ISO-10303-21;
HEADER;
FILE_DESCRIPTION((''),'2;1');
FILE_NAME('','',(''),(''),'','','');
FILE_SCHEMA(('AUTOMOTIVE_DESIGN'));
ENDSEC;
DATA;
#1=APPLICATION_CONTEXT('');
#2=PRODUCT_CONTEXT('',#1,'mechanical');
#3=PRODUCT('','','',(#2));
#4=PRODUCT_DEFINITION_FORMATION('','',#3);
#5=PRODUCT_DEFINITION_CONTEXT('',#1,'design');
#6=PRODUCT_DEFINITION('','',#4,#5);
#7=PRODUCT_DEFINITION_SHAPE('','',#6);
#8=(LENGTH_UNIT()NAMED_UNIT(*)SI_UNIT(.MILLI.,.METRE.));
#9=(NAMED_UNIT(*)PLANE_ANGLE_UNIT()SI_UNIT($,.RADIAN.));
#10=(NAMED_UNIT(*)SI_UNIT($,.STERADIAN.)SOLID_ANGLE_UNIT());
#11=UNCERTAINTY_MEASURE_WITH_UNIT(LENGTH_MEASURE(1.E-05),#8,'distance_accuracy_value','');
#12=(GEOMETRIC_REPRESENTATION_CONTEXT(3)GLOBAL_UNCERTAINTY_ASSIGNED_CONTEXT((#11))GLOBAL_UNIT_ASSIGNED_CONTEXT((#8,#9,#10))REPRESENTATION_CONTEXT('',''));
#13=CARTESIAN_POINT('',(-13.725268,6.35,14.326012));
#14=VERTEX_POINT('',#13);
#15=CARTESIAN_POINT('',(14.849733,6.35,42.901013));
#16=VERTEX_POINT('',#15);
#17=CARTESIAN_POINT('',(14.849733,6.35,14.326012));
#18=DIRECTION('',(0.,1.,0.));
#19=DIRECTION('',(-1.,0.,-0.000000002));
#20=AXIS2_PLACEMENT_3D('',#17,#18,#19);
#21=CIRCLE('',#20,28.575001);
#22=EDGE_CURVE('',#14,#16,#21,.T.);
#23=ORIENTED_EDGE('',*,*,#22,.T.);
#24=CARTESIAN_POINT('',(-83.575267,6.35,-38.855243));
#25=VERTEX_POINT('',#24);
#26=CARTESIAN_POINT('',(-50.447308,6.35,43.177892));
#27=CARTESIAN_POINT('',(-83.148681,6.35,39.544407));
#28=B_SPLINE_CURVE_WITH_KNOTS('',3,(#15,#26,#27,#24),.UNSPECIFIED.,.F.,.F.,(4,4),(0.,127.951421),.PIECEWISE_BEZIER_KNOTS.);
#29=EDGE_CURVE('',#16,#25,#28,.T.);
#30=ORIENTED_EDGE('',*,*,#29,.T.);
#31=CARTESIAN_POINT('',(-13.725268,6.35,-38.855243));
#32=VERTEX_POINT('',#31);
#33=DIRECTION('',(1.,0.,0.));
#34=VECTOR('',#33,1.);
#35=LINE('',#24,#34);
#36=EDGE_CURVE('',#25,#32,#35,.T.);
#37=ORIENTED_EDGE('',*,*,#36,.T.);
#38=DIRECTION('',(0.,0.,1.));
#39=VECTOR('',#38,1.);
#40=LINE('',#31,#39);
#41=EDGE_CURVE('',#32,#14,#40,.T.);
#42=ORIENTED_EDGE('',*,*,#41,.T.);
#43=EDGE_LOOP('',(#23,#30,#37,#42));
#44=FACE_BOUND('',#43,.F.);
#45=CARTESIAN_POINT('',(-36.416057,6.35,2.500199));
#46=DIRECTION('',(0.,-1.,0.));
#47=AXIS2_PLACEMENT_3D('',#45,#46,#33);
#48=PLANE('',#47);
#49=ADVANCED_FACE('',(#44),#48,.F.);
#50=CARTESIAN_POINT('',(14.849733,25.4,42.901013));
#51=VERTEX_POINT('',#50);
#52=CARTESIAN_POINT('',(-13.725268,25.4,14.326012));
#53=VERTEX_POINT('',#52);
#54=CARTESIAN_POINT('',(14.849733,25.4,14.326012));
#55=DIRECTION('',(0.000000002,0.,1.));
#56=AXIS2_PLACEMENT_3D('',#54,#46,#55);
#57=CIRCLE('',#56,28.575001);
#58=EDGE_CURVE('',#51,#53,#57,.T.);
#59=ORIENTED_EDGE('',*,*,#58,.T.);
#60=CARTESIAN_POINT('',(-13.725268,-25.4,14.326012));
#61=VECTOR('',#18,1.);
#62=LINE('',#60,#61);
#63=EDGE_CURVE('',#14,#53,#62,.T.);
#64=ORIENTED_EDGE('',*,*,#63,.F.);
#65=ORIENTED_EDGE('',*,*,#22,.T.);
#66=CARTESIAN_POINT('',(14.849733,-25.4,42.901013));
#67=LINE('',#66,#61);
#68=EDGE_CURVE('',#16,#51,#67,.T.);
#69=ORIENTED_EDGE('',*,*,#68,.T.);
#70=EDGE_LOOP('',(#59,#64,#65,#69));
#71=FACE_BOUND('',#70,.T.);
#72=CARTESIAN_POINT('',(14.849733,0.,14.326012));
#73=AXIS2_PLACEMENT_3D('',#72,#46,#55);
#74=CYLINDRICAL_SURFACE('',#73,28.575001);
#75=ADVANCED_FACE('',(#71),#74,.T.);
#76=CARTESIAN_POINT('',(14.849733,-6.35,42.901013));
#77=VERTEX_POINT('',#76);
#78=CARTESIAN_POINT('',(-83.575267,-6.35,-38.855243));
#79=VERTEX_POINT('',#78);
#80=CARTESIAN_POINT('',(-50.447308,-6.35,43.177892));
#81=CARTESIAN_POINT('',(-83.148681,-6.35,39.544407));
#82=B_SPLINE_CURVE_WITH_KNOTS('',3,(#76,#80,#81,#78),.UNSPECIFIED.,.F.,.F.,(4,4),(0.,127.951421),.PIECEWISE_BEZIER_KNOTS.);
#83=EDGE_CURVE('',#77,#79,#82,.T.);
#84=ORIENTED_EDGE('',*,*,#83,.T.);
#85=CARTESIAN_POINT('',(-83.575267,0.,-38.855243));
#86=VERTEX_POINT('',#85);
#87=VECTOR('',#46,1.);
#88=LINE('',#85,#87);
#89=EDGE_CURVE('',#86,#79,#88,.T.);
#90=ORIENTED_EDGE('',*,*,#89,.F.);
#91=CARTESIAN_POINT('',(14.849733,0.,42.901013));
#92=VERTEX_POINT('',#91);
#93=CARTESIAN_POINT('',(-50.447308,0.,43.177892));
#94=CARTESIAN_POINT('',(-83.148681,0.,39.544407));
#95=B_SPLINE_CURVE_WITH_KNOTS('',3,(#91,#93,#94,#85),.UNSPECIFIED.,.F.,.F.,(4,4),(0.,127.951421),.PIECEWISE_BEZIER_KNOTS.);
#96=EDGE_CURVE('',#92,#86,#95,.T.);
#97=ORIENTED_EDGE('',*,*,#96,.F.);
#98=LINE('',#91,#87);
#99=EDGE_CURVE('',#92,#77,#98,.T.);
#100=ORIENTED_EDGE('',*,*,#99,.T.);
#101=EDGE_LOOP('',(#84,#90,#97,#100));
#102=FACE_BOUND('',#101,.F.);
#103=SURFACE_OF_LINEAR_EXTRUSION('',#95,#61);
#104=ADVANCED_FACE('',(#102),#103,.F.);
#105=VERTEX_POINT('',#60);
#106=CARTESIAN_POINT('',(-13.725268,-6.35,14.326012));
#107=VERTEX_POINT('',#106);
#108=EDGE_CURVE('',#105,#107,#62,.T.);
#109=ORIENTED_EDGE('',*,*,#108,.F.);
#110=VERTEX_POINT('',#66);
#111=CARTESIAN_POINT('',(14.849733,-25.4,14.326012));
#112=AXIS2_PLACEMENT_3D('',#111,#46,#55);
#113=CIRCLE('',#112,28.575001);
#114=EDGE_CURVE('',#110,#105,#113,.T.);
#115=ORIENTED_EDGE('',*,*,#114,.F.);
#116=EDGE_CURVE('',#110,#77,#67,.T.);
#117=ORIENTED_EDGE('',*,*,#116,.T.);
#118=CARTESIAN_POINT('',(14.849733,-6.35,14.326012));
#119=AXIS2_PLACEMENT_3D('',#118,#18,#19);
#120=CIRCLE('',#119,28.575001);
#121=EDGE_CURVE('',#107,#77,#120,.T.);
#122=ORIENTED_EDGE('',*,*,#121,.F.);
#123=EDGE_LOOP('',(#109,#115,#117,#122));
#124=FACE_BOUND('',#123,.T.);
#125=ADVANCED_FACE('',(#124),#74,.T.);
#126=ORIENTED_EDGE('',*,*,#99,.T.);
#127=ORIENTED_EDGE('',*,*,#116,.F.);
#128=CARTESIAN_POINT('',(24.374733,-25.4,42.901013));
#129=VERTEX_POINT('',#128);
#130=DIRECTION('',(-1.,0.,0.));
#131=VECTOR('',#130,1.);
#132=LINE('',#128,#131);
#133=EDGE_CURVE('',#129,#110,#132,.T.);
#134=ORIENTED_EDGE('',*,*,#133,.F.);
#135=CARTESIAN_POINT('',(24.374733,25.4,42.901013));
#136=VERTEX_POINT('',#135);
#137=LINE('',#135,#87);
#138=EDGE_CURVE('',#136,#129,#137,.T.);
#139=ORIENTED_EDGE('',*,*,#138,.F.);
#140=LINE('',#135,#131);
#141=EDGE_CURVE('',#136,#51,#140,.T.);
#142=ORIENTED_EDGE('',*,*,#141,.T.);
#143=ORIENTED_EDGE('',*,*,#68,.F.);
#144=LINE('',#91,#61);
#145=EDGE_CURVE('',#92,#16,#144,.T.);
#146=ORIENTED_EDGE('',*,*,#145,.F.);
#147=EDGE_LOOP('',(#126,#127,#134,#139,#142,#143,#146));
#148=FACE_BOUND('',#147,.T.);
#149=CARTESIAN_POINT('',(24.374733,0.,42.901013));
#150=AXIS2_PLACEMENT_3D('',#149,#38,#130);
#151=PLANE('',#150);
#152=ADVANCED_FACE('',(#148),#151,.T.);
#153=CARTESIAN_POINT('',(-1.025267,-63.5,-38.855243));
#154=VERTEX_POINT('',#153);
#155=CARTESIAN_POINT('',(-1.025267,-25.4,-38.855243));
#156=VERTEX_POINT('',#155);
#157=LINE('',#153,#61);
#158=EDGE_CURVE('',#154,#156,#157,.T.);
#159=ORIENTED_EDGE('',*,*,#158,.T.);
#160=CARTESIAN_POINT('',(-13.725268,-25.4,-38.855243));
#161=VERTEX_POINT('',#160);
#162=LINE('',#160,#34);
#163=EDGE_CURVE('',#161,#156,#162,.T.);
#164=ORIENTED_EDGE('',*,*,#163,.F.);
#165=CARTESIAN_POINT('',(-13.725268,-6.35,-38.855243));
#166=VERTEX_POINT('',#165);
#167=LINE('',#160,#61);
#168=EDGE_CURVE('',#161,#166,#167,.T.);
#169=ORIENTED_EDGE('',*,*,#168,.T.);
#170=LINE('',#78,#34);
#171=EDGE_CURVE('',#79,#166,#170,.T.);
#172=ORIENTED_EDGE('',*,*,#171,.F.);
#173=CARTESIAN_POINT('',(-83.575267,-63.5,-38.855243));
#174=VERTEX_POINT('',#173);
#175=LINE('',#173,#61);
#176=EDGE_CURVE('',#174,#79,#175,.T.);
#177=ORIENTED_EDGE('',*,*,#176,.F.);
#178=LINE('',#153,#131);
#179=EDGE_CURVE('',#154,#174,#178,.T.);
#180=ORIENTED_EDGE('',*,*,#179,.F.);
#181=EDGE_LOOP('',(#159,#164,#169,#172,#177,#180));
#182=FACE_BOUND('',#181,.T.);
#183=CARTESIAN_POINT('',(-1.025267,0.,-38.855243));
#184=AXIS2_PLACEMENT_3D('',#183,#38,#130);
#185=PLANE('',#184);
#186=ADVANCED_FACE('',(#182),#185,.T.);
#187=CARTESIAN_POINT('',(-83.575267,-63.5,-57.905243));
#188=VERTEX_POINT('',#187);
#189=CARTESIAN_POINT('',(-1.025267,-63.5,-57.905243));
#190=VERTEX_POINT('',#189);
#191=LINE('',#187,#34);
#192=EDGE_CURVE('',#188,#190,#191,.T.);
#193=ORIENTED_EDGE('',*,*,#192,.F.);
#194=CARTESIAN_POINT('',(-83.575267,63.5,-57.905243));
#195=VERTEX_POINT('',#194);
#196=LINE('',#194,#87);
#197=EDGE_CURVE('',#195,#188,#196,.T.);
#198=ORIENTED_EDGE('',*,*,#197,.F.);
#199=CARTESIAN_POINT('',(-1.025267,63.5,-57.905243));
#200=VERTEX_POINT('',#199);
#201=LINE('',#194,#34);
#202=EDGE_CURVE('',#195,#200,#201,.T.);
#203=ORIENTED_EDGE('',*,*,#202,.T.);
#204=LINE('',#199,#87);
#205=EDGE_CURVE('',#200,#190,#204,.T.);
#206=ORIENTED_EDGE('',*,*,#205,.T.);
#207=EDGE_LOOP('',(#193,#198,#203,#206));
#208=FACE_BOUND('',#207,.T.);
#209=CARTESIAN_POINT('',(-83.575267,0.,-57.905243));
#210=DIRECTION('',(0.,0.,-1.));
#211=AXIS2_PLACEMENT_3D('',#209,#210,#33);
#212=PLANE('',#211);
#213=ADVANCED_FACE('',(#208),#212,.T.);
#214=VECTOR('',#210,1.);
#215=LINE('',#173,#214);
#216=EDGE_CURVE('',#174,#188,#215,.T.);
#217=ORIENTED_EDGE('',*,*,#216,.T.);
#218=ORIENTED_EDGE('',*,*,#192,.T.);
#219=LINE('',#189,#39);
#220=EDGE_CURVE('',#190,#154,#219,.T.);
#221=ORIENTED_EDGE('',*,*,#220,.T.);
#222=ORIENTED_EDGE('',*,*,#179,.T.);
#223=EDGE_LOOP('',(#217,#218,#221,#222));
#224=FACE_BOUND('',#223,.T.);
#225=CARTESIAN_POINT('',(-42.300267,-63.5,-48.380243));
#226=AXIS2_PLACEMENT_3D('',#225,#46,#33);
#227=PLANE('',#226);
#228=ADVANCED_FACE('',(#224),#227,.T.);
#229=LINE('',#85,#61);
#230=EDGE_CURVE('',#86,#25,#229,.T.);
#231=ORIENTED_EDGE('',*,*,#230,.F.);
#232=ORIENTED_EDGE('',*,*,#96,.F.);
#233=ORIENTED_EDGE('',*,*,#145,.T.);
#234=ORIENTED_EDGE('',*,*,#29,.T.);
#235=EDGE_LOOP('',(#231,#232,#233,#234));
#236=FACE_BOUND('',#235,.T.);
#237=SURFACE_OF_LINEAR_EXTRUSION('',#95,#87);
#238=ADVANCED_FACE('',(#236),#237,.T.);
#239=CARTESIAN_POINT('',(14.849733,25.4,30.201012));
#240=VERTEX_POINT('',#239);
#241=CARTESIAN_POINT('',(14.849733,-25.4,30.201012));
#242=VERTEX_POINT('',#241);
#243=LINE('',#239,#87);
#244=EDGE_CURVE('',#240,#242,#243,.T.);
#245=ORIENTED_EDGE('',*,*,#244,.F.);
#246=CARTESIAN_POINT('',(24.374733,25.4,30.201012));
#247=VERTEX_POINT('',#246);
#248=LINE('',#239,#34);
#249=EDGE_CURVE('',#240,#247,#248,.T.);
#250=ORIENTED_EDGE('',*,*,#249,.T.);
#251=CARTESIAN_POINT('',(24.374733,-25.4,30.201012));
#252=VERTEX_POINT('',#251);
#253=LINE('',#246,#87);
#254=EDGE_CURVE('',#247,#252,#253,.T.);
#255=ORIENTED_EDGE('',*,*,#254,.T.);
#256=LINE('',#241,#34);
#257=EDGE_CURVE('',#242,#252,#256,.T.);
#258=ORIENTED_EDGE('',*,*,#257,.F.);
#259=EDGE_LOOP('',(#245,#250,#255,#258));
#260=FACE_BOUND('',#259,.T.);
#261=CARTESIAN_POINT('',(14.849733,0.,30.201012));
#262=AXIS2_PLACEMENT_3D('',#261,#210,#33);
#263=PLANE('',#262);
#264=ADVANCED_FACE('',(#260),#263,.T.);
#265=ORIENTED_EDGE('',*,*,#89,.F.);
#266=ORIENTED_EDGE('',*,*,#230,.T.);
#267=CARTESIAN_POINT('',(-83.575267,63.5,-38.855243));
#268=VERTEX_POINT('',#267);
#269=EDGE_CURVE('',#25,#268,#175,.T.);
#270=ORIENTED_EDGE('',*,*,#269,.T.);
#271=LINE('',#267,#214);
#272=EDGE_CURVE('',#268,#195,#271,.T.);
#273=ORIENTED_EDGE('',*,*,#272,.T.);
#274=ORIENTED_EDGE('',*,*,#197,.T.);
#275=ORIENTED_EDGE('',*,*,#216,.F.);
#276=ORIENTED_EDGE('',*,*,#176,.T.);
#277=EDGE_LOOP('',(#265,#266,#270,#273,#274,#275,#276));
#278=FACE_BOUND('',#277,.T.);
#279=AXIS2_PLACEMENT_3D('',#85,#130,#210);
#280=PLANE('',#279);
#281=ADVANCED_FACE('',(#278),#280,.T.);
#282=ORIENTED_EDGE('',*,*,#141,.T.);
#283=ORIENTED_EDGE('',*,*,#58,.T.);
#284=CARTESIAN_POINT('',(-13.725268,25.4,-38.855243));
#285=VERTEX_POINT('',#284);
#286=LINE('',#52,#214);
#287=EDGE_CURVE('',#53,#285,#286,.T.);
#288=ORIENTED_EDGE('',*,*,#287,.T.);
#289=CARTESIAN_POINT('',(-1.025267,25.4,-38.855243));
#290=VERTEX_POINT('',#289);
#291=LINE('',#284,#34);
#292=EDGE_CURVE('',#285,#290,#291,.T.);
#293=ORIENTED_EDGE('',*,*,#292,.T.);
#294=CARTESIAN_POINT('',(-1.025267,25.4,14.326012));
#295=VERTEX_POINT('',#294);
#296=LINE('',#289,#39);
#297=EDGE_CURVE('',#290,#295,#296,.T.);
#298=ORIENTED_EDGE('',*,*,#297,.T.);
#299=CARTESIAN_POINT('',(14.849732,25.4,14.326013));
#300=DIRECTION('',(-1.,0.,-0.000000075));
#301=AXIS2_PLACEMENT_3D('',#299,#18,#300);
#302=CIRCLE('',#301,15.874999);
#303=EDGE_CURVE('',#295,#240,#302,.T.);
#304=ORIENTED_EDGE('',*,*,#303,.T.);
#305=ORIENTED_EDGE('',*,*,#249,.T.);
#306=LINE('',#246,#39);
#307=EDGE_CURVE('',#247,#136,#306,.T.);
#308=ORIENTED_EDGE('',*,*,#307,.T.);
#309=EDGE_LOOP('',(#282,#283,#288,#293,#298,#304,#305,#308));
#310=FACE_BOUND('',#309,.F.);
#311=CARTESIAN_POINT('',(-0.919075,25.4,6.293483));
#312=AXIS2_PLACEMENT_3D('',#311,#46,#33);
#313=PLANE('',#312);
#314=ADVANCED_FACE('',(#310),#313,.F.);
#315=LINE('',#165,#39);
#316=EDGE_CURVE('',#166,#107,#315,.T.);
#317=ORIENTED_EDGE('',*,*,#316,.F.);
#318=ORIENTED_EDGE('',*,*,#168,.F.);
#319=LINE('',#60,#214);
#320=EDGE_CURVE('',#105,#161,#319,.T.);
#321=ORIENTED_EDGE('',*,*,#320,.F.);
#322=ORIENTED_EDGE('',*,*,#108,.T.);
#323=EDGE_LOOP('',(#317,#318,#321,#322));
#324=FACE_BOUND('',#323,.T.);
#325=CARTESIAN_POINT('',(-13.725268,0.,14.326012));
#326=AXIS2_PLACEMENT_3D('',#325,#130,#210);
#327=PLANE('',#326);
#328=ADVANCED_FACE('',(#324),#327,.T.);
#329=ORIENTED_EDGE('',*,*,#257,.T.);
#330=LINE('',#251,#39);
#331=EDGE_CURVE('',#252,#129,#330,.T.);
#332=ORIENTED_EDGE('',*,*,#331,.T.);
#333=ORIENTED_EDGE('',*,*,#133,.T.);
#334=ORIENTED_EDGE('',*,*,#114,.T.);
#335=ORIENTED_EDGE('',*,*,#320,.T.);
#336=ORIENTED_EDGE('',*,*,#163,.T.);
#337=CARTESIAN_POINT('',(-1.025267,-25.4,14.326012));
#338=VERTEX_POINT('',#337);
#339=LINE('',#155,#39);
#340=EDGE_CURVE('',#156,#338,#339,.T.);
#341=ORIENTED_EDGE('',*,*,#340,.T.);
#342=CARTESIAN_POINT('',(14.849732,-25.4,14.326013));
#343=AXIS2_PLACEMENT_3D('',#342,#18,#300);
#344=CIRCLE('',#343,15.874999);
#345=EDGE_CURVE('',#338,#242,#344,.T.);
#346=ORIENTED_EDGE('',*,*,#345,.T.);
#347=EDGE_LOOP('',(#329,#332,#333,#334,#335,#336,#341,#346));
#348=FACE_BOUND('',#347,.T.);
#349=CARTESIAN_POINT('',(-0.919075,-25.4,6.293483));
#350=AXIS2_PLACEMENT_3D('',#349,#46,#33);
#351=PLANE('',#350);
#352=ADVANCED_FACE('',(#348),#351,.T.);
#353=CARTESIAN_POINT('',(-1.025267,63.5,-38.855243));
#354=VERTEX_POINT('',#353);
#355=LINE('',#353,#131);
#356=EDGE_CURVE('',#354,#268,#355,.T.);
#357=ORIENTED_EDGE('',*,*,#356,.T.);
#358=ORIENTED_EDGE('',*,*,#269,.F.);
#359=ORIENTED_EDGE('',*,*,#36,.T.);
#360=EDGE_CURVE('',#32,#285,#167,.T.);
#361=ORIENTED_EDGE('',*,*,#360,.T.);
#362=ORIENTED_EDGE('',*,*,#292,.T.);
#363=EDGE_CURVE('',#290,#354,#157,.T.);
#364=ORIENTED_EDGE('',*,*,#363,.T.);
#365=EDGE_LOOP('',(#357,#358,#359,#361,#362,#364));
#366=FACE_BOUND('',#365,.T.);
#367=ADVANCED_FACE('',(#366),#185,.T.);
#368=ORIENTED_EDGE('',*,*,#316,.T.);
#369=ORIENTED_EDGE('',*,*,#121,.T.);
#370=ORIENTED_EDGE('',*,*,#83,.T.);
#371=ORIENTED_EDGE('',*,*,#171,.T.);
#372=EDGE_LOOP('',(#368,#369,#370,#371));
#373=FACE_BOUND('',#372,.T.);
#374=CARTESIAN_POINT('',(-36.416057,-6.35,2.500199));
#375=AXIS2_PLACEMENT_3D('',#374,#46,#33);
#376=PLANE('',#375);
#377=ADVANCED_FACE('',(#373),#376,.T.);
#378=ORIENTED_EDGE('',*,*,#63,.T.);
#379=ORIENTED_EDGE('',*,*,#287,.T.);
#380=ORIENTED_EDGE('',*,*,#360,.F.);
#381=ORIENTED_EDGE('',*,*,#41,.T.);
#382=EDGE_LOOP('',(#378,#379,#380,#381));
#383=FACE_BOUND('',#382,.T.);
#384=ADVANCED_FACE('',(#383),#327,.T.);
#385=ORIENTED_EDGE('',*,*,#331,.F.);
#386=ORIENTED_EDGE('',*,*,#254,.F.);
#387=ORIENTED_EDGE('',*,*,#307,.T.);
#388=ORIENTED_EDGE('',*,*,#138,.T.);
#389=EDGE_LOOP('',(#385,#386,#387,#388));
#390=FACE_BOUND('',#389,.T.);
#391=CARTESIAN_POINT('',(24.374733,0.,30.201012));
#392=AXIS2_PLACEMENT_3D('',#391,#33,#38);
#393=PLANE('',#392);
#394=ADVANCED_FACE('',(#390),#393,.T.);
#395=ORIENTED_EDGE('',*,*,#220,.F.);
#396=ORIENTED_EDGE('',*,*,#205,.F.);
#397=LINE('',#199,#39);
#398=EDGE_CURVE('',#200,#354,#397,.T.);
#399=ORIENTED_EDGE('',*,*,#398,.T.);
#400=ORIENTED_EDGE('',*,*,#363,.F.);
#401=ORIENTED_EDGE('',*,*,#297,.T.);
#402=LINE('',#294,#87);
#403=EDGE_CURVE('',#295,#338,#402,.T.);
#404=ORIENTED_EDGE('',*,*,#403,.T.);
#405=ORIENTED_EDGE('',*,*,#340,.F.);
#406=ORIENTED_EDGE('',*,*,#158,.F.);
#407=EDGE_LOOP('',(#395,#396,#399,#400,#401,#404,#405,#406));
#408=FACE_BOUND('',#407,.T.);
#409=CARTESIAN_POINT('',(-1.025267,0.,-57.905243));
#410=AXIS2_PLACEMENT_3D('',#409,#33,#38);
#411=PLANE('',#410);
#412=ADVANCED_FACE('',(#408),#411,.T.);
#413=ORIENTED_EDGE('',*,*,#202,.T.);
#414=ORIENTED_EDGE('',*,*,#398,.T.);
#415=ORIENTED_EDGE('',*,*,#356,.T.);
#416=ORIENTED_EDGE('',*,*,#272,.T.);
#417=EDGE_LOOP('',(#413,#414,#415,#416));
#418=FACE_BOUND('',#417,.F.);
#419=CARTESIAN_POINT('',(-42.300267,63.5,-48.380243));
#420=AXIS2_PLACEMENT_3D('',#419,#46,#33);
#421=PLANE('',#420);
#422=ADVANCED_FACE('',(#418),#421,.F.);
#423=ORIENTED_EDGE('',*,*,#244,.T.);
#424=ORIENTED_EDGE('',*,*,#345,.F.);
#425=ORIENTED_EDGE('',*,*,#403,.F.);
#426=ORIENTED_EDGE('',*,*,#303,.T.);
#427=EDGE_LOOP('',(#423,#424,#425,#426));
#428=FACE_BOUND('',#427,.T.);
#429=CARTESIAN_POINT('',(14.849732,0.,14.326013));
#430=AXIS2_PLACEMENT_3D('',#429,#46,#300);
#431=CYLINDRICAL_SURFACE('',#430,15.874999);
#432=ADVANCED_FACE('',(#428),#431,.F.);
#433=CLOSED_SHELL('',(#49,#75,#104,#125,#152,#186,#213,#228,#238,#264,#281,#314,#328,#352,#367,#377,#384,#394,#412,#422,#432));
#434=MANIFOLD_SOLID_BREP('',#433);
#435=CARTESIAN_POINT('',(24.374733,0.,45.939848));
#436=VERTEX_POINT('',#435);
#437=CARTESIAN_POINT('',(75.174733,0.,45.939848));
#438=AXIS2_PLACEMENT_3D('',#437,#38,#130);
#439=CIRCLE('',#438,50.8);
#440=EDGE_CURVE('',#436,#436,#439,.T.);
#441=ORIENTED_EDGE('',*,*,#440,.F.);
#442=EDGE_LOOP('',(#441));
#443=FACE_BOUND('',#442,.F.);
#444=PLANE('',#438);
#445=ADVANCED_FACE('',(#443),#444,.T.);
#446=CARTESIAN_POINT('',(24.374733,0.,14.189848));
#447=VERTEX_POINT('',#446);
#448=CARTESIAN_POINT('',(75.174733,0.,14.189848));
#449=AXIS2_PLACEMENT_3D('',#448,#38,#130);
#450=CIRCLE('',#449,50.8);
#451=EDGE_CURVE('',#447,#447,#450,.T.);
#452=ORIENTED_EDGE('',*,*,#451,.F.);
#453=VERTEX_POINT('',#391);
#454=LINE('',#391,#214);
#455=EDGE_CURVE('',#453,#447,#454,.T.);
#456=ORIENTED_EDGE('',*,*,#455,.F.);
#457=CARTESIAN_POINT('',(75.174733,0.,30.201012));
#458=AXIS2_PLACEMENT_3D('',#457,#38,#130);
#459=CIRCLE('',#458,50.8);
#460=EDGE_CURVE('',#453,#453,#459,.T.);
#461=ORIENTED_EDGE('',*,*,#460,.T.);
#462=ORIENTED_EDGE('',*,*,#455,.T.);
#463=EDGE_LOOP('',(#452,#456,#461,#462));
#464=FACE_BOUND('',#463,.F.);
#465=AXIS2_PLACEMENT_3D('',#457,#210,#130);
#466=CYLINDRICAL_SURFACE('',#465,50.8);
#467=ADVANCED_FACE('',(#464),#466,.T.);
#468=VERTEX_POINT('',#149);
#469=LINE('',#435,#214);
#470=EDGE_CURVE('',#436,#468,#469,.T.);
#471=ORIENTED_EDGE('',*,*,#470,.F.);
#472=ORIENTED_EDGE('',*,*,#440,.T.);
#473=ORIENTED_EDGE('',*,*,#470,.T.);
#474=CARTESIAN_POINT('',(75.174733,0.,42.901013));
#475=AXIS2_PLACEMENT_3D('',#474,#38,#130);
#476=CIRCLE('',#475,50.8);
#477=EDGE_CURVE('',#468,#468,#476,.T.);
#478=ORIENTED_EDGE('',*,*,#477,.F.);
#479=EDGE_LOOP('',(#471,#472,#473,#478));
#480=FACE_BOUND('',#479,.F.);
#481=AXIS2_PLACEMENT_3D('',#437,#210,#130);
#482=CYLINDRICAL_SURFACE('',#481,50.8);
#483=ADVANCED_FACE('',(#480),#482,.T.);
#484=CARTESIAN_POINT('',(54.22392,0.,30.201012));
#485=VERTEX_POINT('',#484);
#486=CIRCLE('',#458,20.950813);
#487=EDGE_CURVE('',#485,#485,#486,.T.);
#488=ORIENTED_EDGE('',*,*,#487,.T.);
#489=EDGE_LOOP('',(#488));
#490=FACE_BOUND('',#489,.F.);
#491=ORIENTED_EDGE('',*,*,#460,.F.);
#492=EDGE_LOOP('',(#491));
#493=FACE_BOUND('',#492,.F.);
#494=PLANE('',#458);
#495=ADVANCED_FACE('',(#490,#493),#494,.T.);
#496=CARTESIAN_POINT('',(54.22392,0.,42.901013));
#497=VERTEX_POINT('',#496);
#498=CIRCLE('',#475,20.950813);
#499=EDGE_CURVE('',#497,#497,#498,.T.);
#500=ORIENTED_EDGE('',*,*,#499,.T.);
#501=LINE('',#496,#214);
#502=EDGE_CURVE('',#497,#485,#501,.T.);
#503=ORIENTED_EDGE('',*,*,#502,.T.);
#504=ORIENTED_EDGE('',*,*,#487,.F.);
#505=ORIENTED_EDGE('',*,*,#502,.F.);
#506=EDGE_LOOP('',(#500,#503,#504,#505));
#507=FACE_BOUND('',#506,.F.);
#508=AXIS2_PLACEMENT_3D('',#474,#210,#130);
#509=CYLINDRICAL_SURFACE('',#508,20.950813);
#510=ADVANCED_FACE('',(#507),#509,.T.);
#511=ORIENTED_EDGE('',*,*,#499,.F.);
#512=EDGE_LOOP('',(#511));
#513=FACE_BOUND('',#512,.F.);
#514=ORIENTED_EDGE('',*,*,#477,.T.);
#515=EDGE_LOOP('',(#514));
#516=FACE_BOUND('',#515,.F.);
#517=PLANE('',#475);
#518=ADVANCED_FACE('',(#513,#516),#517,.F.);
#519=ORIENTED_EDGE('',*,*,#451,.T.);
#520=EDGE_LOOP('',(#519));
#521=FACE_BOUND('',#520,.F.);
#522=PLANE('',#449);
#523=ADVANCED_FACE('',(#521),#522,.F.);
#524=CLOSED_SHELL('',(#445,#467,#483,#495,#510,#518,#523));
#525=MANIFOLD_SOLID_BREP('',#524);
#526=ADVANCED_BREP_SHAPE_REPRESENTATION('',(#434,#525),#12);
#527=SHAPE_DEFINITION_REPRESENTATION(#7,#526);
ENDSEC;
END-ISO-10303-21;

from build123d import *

# Parameters (mm, degrees)
F1_DEPTH = 63.5
F2_DEPTH = 25.4
F3_DEPTH = 6.35


with BuildPart() as f1:
    # F0 (on Front) → F1 (new body, symmetric)
    with BuildSketch(Plane.XZ):
        Polygon((-83.575267, -38.855243), (-83.575267, -57.905243), (-1.025267, -57.905243), (-1.025267, -38.855243), (-13.725268, -38.855243), align=None)
    extrude(amount=F1_DEPTH, both=True)

    # F0 (on Front) → F2 (join, symmetric)
    with BuildSketch(Plane.XZ):
        with BuildLine():
            Line((-13.725268, -38.855243), (-1.025267, -38.855243))
            Line((-1.025267, -38.855243), (-1.025267, 14.326012))
            ThreePointArc((-1.025267, 14.326012), (3.624413, 25.551333), (14.849733, 30.201012))
            Line((14.849733, 30.201012), (24.374733, 30.201012))
            Line((24.374733, 30.201012), (24.374733, 42.901013))
            Line((24.374733, 42.901013), (14.849733, 42.901013))
            ThreePointArc((14.849733, 42.901013), (-5.355844, 34.531589), (-13.725268, 14.326012))
            Line((-13.725268, 14.326012), (-13.725268, -38.855243))
        make_face()
    extrude(amount=F2_DEPTH, both=True)

    # F0 (on Front) → F3 (join, symmetric)
    with BuildSketch(Plane.XZ):
        with BuildLine():
            add(Edge.make_bspline(
                [(14.849733, 42.901013), (-50.447308, 43.177892), (-83.148681, 39.544407), (-83.575267, -38.855243)],
                knots=[0, 0, 0, 0, 127.951421, 127.951421, 127.951421, 127.951421], degree=3))
            Line((-83.575267, -38.855243), (-13.725268, -38.855243))
            Line((-13.725268, -38.855243), (-13.725268, 14.326012))
            ThreePointArc((-13.725268, 14.326012), (-5.355844, 34.531589), (14.849733, 42.901013))
        make_face()
    extrude(amount=F3_DEPTH, both=True)


with BuildPart() as f4:
    # F0 (on Front) → F4 (revolve)
    with BuildSketch(Plane.XZ):
        Polygon((24.374733, 45.939848), (24.374733, 42.901013), (54.22392, 42.901013), (54.22392, 30.201012), (24.374733, 30.201012), (24.374733, 14.189848), (75.174733, 14.189848), (75.174733, 45.939848), align=None)
    revolve(axis=Axis((75.174733, 0, 30.064848), (0, 0, 1)))


solid = Compound([f1.part, f4.part])
